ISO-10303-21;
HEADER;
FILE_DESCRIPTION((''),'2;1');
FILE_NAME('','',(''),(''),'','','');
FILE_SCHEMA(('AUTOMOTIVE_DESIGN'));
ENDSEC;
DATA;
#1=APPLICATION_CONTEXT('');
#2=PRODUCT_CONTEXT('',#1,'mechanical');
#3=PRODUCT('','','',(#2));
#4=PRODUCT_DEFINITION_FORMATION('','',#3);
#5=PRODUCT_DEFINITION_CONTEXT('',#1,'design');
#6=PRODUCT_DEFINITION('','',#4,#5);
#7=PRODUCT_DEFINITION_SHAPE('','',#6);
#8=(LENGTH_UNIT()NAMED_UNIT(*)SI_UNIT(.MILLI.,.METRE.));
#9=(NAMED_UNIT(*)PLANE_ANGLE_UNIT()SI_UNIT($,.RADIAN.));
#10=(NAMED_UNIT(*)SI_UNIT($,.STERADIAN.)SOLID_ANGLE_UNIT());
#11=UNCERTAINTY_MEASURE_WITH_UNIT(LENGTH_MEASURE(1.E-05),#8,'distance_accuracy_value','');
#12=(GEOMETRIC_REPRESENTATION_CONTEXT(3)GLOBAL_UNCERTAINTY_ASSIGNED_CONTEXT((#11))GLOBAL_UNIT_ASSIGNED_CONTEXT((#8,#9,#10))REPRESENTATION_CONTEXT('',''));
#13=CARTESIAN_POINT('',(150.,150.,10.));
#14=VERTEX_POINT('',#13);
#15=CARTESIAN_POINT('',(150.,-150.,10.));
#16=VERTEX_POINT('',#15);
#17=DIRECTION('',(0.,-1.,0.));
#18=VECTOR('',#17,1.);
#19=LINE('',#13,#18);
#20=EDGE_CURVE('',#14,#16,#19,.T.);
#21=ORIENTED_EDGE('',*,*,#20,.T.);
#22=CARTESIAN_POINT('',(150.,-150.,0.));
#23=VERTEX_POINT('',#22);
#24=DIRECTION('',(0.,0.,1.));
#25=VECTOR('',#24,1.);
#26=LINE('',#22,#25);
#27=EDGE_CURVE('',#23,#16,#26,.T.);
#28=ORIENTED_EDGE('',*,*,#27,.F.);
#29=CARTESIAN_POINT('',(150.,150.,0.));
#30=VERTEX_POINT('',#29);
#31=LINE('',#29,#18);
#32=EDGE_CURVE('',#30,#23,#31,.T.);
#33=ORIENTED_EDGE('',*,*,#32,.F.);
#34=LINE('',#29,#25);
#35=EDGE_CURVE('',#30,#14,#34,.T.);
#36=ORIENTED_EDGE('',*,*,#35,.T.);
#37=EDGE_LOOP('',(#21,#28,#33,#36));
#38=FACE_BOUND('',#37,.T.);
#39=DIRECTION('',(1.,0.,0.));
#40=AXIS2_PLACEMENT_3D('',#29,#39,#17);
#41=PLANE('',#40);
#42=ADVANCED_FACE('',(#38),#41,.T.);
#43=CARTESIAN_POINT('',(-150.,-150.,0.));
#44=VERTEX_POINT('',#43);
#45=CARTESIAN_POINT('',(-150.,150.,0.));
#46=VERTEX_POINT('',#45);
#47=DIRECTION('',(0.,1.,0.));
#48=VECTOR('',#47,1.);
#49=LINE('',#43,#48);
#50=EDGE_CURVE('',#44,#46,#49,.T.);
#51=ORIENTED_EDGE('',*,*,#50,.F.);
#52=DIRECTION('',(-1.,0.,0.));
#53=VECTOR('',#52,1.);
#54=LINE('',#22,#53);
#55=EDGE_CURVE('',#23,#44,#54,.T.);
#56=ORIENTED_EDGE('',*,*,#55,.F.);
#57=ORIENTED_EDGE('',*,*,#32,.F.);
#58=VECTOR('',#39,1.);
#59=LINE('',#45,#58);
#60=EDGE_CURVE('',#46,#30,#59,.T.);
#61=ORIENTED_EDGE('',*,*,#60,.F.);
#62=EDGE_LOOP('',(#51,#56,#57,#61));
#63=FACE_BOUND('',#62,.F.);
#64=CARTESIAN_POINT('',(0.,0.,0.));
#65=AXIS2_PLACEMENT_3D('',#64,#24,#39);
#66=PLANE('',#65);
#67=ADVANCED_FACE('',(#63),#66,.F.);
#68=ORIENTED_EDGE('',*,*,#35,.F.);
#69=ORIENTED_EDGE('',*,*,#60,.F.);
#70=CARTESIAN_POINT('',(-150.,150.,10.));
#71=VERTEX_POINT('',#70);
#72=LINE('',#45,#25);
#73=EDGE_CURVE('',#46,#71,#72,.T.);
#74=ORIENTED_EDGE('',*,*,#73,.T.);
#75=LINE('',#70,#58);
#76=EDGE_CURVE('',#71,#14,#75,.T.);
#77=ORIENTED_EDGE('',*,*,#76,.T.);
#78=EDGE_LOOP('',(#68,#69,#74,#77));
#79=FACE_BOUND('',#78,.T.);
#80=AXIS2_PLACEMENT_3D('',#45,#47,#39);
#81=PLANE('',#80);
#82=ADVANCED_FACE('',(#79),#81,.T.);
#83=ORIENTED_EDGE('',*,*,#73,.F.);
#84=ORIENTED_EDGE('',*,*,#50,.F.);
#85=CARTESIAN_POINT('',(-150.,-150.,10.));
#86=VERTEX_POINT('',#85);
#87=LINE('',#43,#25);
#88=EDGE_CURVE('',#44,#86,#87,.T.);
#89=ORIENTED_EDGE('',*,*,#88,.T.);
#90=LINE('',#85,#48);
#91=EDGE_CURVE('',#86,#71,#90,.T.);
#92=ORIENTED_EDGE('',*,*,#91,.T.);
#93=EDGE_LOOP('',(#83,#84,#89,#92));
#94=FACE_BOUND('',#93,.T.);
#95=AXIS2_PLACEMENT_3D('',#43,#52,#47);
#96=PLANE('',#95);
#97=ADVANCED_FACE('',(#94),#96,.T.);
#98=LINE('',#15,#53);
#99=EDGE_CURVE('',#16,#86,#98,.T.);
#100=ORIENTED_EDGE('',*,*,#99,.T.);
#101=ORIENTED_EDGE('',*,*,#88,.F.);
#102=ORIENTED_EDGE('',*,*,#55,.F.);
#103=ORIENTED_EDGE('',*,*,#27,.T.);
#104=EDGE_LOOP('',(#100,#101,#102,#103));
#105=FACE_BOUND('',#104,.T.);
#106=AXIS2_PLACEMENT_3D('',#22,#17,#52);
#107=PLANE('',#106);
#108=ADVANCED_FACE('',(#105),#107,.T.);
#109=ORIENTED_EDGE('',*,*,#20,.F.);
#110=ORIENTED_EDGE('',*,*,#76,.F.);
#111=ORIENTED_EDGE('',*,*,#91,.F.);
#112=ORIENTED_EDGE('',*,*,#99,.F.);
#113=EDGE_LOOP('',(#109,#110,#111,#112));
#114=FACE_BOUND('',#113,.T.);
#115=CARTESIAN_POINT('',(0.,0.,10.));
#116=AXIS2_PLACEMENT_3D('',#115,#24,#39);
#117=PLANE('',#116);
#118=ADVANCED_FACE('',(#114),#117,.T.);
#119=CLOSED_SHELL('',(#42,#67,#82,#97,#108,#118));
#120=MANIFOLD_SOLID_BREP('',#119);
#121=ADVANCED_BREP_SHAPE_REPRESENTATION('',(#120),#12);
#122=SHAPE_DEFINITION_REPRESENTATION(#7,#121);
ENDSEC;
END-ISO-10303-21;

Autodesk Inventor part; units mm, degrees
ref_plane "YZ Plane" through (0, 0, 0) normal (1, 0, 0) x (0, 1, 0)
ref_plane "XZ Plane" through (0, 0, 0) normal (0, 1, 0) x (-1, 0, 0)
ref_plane "XY Plane" through (0, 0, 0) normal (0, 0, 1) x (1, 0, 0)
sketch "Sketch1" plane through (0, 0, 0) normal (0, 0, 1) x (1, 0, 0)
  line L0 (-150, 150) -> (150, 150)
  line L1 (150, 150) -> (150, -150)
  line L2 (150, -150) -> (-150, -150)
  line L3 (-150, -150) -> (-150, 150)
  point P0 (0, 0)
  dimension "d0" = 300
  dimension "d1" = 300
  dimension "d2" = 150
  dimension "d3" = 150
extrude "Extrusion1" add sketch "Sketch1" along normal blind 10
properties part number "Estrutura da Chapa"
